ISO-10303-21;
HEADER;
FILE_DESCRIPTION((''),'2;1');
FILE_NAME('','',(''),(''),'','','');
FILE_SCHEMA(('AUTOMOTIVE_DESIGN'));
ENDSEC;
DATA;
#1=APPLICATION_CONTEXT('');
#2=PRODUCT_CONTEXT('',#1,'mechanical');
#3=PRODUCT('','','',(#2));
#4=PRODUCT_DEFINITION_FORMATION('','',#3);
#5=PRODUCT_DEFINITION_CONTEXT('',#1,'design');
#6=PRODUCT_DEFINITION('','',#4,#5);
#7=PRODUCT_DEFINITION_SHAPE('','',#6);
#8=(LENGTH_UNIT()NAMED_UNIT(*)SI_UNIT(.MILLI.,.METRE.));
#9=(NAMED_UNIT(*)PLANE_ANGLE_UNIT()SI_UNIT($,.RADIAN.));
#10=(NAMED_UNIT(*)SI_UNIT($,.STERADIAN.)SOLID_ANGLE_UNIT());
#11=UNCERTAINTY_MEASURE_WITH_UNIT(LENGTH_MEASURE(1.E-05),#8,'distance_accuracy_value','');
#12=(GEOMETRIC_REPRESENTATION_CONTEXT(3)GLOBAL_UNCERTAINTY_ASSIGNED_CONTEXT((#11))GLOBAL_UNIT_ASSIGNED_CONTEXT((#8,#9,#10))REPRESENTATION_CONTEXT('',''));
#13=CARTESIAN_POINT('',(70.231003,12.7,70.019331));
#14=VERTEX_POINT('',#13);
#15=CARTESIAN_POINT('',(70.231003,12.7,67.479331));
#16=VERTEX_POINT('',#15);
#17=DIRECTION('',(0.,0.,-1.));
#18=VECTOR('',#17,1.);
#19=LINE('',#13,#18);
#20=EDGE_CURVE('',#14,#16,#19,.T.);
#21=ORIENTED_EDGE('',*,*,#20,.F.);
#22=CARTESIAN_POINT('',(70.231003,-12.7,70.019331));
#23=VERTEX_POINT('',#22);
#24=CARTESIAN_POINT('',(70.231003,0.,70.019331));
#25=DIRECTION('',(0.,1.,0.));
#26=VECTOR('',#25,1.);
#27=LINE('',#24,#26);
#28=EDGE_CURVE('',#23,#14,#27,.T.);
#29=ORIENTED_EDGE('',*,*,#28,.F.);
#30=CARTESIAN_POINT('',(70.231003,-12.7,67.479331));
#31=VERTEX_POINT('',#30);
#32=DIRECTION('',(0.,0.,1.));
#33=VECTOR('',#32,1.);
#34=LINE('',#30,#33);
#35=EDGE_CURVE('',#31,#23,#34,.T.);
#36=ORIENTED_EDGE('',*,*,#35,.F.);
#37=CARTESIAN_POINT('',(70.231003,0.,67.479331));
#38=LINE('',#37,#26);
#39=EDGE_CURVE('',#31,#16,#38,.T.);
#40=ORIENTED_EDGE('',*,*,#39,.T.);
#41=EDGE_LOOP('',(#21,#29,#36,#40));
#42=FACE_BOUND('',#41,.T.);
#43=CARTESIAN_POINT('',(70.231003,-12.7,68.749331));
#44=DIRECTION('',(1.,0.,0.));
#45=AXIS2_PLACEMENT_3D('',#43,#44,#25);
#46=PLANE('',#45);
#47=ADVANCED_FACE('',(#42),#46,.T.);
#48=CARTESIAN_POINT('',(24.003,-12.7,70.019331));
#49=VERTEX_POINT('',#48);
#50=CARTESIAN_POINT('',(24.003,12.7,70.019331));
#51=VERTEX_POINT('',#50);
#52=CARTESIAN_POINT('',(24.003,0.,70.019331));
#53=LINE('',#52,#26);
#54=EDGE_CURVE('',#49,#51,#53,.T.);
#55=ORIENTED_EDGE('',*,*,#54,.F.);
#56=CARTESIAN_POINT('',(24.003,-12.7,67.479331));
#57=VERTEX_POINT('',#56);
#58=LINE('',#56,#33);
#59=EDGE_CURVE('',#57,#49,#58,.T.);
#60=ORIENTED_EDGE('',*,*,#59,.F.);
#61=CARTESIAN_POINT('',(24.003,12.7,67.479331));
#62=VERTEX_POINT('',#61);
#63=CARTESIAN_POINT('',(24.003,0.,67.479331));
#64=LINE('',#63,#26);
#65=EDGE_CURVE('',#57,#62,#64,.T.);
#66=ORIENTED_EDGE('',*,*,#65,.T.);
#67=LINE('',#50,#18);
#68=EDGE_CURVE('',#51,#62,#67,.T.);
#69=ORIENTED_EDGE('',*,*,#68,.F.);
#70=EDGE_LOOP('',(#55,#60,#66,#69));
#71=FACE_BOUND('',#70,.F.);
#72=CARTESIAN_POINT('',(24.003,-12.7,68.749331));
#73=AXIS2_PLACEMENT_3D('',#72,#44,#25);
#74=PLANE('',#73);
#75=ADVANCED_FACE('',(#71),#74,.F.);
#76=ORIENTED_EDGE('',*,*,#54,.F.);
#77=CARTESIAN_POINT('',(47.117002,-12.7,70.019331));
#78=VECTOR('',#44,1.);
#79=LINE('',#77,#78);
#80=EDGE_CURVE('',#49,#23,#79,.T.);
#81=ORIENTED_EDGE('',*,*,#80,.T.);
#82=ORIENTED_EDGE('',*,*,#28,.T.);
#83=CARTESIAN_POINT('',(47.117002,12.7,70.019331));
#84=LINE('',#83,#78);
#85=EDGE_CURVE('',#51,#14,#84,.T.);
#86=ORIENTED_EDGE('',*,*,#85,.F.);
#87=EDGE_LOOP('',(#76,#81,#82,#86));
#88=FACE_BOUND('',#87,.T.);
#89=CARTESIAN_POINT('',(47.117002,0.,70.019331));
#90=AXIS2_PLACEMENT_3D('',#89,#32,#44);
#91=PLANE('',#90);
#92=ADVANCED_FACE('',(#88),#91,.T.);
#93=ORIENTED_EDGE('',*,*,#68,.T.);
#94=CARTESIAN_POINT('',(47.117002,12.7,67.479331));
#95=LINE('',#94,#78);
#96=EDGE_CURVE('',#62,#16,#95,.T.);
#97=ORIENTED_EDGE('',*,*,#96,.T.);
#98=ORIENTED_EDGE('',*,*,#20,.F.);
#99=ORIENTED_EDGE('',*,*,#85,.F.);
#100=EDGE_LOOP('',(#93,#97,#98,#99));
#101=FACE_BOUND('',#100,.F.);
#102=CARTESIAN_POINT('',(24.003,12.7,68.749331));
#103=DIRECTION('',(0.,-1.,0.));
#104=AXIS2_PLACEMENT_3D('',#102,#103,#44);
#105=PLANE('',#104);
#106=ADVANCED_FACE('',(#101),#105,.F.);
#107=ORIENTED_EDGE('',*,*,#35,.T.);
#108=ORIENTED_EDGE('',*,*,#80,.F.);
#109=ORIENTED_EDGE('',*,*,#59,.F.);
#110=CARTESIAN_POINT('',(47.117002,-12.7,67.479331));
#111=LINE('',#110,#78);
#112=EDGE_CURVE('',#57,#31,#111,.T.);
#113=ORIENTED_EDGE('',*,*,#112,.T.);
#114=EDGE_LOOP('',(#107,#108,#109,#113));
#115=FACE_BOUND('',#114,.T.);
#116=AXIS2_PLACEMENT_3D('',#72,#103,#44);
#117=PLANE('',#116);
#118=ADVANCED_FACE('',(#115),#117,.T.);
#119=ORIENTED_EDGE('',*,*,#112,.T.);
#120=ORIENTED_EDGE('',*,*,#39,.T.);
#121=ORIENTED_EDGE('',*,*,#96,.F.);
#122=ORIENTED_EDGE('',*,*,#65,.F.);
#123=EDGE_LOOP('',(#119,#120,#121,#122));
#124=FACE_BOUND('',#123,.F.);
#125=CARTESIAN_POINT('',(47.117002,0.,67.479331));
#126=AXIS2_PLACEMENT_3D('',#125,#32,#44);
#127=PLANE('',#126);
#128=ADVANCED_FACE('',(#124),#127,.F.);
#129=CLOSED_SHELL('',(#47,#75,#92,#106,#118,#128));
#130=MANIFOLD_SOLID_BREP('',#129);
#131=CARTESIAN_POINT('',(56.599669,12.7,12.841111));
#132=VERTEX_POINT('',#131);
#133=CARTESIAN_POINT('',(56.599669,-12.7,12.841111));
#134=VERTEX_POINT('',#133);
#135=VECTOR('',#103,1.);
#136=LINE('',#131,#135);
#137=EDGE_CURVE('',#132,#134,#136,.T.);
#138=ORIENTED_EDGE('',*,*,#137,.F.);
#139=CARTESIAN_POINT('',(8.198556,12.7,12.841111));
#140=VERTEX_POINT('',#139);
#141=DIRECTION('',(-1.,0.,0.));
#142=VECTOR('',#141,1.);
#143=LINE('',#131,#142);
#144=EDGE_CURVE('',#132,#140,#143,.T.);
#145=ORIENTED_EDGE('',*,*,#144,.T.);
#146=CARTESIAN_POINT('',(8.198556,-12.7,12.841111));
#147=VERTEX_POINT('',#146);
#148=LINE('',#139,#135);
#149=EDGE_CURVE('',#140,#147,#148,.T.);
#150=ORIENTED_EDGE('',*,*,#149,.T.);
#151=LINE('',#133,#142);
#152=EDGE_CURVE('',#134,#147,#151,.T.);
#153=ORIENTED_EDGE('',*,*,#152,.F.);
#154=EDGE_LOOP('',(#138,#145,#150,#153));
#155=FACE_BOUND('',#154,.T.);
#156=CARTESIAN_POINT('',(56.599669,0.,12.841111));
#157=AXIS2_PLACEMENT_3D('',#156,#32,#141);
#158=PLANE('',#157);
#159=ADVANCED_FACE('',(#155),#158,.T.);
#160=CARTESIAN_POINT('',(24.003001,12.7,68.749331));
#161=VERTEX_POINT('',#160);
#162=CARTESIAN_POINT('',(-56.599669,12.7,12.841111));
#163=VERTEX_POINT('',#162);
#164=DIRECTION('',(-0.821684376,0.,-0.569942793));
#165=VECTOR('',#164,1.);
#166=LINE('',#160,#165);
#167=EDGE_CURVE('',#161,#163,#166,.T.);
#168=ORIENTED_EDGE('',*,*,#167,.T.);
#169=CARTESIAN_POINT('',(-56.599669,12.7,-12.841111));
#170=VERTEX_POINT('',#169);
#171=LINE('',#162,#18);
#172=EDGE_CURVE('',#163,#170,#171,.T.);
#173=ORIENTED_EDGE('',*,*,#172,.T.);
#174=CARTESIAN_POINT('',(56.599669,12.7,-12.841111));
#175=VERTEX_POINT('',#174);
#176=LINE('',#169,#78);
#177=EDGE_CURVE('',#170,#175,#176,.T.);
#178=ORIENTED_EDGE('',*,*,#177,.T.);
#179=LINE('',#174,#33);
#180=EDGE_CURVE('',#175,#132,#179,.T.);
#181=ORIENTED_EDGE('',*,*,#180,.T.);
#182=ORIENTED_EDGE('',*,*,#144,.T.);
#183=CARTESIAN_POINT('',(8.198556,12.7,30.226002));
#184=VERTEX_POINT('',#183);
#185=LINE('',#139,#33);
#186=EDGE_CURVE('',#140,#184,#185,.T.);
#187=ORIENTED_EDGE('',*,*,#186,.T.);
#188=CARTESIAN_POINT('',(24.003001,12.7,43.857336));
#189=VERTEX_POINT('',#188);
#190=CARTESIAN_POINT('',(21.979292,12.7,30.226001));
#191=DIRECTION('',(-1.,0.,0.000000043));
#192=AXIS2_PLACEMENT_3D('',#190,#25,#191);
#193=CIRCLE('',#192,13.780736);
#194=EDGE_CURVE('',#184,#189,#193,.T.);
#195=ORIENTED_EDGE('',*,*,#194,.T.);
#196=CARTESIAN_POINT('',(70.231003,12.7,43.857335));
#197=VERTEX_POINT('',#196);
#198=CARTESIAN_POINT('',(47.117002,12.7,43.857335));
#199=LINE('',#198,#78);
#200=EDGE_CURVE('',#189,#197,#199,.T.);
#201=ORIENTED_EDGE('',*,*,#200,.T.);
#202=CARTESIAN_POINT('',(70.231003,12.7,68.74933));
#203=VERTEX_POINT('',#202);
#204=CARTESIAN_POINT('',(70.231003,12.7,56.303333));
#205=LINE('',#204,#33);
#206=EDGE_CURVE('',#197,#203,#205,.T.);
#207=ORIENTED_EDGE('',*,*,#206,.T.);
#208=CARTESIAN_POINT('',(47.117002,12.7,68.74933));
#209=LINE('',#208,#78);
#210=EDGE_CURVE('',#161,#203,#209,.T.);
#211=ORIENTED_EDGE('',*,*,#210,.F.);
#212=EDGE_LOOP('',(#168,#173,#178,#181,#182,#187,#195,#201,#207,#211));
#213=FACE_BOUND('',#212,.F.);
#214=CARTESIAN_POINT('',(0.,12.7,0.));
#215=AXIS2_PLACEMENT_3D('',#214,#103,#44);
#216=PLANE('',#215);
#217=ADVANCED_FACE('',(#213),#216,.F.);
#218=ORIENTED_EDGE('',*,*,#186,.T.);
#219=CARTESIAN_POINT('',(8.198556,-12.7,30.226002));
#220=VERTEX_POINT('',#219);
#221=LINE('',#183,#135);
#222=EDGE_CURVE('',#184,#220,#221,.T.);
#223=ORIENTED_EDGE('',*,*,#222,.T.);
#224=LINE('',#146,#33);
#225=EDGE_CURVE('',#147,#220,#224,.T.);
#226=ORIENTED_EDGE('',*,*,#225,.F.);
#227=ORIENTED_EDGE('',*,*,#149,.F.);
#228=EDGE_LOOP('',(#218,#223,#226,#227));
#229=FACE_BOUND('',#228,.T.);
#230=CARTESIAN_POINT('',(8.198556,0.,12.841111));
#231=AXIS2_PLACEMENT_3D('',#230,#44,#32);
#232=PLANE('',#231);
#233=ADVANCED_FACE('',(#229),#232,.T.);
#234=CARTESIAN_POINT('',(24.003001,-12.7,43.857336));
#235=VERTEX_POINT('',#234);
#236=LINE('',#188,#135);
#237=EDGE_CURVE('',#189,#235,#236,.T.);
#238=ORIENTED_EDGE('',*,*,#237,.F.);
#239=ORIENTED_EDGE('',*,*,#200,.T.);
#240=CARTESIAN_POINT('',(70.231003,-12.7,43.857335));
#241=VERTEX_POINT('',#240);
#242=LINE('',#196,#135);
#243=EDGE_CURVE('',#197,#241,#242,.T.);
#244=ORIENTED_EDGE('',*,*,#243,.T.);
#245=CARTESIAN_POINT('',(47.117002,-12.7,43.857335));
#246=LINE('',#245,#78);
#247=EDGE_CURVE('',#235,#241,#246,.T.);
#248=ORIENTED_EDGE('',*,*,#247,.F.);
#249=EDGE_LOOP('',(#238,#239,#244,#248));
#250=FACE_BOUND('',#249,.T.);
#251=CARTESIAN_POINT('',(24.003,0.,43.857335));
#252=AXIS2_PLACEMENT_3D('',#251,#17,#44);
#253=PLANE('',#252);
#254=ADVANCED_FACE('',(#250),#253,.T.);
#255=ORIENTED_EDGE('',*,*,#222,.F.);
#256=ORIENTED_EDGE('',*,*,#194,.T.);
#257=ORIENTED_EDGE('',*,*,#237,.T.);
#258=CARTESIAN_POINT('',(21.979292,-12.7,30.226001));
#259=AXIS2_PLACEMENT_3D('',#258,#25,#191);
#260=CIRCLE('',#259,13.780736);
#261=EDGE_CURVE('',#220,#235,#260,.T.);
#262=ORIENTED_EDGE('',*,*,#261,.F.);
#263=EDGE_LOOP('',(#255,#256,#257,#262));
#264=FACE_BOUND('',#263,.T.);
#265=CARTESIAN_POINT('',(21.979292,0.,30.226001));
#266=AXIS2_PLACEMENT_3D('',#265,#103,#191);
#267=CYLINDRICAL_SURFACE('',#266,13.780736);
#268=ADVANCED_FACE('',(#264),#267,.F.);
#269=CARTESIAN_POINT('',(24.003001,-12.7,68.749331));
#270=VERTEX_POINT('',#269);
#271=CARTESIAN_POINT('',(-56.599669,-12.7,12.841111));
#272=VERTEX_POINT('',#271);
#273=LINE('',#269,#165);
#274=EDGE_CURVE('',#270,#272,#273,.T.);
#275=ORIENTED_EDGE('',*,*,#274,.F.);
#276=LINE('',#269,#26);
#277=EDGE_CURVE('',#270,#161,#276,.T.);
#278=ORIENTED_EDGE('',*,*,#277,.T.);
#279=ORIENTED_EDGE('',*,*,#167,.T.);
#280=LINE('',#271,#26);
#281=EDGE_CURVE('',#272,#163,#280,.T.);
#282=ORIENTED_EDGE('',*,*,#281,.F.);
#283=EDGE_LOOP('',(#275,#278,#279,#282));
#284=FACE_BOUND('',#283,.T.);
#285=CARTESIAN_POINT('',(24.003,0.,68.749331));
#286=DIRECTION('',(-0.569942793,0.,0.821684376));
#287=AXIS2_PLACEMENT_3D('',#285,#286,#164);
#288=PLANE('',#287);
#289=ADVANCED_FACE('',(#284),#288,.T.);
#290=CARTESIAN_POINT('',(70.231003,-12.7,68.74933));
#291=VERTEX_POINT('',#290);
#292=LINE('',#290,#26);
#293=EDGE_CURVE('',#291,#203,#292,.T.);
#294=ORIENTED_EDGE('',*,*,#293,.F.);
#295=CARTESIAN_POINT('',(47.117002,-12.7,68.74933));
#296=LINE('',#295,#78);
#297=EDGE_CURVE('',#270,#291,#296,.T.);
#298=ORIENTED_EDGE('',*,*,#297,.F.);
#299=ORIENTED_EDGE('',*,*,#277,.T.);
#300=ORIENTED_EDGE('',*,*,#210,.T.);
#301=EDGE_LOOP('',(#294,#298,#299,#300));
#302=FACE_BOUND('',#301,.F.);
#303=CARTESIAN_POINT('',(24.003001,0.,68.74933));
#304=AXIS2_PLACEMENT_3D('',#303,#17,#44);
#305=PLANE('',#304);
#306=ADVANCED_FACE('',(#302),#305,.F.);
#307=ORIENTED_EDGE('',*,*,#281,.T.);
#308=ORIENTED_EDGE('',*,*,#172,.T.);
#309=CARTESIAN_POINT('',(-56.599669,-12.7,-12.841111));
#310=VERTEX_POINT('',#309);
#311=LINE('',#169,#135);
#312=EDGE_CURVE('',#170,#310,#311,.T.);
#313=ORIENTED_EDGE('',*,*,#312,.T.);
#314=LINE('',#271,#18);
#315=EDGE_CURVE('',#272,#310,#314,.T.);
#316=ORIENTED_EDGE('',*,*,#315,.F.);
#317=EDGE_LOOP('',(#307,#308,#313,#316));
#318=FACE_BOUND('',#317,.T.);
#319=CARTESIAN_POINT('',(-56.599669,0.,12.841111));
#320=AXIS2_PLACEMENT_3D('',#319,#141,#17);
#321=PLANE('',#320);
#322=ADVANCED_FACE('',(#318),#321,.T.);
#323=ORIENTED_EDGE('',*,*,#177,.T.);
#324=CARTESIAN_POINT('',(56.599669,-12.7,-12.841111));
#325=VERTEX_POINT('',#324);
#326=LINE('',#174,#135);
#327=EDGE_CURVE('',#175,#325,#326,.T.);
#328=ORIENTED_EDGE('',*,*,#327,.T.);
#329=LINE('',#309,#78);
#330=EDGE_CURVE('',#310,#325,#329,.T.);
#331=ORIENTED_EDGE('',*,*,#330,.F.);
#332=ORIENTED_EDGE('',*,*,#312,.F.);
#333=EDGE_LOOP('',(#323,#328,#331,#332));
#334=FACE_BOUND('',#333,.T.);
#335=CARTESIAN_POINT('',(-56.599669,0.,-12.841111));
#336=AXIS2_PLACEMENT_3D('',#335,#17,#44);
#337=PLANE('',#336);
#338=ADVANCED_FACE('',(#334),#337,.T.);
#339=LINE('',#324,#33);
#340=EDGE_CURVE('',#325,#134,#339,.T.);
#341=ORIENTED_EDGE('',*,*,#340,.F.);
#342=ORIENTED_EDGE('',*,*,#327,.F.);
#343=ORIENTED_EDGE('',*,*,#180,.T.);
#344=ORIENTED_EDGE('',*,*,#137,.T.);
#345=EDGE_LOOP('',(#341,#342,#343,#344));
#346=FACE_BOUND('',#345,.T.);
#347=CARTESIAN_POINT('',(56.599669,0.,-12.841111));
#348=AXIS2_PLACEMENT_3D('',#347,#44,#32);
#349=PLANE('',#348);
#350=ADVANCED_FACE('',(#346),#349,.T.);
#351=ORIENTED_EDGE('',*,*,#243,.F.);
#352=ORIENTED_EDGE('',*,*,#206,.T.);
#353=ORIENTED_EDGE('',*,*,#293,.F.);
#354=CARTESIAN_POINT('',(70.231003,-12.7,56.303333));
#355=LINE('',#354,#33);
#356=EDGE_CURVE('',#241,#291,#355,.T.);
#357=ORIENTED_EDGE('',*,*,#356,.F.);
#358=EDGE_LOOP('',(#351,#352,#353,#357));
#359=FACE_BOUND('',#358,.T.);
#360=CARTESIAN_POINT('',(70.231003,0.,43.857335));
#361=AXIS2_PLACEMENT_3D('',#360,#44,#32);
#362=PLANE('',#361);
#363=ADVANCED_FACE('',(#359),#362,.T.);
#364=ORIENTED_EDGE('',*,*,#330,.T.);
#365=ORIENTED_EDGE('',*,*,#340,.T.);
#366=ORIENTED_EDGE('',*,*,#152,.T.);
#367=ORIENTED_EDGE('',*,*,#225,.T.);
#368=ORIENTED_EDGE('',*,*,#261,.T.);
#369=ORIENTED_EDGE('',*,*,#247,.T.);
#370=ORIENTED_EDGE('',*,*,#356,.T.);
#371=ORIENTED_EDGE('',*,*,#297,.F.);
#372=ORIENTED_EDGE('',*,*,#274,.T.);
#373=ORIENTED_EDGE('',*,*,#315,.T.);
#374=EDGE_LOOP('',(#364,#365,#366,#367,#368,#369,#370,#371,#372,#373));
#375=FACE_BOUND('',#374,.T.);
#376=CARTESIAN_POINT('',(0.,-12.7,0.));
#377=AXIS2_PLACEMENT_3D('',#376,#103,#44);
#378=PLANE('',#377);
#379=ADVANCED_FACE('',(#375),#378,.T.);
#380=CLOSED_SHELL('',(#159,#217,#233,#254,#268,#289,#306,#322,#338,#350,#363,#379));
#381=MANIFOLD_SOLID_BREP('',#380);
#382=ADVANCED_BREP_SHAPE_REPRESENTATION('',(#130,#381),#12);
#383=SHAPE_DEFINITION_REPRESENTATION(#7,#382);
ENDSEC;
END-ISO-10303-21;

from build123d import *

# Parameters (mm, degrees)
F0_W     = 46.228003
F0_H     = 24.891995
F1_DEPTH = 12.7
F2_W     = 46.228003
F2_H     = 25.4
F3_DEPTH = 1.27


with BuildPart() as f1:
    # F0 (on Front) → F1 (new body, symmetric)
    with BuildSketch(Plane.XZ):
        Polygon((8.198556, 12.841111), (-56.599669, 12.841111), (-56.599669, -12.841111), (56.599669, -12.841111), (56.599669, 12.841111), align=None)
        with BuildLine():
            Line((24.003001, 68.749331), (-56.599669, 12.841111))
            Line((-56.599669, 12.841111), (8.198556, 12.841111))
            Line((8.198556, 12.841111), (8.198556, 30.226002))
            ThreePointArc((8.198556, 30.226002), (12.978723, 40.661443), (24.003001, 43.857336))
            Line((24.003001, 43.857336), (24.003001, 68.749331))
        make_face()
        with Locations((47.117002, 56.303333)):
            Rectangle(F0_W, F0_H)
    extrude(amount=F1_DEPTH, both=True)


with BuildPart() as f3:
    # F2 (on face) → F3 (new body, symmetric)
    with BuildSketch(Plane.XY.offset(68.749331)):
        with Locations((47.117002, 0)):
            Rectangle(F2_W, F2_H)
    extrude(amount=F3_DEPTH, both=True)


solid = Compound([f1.part, f3.part])
